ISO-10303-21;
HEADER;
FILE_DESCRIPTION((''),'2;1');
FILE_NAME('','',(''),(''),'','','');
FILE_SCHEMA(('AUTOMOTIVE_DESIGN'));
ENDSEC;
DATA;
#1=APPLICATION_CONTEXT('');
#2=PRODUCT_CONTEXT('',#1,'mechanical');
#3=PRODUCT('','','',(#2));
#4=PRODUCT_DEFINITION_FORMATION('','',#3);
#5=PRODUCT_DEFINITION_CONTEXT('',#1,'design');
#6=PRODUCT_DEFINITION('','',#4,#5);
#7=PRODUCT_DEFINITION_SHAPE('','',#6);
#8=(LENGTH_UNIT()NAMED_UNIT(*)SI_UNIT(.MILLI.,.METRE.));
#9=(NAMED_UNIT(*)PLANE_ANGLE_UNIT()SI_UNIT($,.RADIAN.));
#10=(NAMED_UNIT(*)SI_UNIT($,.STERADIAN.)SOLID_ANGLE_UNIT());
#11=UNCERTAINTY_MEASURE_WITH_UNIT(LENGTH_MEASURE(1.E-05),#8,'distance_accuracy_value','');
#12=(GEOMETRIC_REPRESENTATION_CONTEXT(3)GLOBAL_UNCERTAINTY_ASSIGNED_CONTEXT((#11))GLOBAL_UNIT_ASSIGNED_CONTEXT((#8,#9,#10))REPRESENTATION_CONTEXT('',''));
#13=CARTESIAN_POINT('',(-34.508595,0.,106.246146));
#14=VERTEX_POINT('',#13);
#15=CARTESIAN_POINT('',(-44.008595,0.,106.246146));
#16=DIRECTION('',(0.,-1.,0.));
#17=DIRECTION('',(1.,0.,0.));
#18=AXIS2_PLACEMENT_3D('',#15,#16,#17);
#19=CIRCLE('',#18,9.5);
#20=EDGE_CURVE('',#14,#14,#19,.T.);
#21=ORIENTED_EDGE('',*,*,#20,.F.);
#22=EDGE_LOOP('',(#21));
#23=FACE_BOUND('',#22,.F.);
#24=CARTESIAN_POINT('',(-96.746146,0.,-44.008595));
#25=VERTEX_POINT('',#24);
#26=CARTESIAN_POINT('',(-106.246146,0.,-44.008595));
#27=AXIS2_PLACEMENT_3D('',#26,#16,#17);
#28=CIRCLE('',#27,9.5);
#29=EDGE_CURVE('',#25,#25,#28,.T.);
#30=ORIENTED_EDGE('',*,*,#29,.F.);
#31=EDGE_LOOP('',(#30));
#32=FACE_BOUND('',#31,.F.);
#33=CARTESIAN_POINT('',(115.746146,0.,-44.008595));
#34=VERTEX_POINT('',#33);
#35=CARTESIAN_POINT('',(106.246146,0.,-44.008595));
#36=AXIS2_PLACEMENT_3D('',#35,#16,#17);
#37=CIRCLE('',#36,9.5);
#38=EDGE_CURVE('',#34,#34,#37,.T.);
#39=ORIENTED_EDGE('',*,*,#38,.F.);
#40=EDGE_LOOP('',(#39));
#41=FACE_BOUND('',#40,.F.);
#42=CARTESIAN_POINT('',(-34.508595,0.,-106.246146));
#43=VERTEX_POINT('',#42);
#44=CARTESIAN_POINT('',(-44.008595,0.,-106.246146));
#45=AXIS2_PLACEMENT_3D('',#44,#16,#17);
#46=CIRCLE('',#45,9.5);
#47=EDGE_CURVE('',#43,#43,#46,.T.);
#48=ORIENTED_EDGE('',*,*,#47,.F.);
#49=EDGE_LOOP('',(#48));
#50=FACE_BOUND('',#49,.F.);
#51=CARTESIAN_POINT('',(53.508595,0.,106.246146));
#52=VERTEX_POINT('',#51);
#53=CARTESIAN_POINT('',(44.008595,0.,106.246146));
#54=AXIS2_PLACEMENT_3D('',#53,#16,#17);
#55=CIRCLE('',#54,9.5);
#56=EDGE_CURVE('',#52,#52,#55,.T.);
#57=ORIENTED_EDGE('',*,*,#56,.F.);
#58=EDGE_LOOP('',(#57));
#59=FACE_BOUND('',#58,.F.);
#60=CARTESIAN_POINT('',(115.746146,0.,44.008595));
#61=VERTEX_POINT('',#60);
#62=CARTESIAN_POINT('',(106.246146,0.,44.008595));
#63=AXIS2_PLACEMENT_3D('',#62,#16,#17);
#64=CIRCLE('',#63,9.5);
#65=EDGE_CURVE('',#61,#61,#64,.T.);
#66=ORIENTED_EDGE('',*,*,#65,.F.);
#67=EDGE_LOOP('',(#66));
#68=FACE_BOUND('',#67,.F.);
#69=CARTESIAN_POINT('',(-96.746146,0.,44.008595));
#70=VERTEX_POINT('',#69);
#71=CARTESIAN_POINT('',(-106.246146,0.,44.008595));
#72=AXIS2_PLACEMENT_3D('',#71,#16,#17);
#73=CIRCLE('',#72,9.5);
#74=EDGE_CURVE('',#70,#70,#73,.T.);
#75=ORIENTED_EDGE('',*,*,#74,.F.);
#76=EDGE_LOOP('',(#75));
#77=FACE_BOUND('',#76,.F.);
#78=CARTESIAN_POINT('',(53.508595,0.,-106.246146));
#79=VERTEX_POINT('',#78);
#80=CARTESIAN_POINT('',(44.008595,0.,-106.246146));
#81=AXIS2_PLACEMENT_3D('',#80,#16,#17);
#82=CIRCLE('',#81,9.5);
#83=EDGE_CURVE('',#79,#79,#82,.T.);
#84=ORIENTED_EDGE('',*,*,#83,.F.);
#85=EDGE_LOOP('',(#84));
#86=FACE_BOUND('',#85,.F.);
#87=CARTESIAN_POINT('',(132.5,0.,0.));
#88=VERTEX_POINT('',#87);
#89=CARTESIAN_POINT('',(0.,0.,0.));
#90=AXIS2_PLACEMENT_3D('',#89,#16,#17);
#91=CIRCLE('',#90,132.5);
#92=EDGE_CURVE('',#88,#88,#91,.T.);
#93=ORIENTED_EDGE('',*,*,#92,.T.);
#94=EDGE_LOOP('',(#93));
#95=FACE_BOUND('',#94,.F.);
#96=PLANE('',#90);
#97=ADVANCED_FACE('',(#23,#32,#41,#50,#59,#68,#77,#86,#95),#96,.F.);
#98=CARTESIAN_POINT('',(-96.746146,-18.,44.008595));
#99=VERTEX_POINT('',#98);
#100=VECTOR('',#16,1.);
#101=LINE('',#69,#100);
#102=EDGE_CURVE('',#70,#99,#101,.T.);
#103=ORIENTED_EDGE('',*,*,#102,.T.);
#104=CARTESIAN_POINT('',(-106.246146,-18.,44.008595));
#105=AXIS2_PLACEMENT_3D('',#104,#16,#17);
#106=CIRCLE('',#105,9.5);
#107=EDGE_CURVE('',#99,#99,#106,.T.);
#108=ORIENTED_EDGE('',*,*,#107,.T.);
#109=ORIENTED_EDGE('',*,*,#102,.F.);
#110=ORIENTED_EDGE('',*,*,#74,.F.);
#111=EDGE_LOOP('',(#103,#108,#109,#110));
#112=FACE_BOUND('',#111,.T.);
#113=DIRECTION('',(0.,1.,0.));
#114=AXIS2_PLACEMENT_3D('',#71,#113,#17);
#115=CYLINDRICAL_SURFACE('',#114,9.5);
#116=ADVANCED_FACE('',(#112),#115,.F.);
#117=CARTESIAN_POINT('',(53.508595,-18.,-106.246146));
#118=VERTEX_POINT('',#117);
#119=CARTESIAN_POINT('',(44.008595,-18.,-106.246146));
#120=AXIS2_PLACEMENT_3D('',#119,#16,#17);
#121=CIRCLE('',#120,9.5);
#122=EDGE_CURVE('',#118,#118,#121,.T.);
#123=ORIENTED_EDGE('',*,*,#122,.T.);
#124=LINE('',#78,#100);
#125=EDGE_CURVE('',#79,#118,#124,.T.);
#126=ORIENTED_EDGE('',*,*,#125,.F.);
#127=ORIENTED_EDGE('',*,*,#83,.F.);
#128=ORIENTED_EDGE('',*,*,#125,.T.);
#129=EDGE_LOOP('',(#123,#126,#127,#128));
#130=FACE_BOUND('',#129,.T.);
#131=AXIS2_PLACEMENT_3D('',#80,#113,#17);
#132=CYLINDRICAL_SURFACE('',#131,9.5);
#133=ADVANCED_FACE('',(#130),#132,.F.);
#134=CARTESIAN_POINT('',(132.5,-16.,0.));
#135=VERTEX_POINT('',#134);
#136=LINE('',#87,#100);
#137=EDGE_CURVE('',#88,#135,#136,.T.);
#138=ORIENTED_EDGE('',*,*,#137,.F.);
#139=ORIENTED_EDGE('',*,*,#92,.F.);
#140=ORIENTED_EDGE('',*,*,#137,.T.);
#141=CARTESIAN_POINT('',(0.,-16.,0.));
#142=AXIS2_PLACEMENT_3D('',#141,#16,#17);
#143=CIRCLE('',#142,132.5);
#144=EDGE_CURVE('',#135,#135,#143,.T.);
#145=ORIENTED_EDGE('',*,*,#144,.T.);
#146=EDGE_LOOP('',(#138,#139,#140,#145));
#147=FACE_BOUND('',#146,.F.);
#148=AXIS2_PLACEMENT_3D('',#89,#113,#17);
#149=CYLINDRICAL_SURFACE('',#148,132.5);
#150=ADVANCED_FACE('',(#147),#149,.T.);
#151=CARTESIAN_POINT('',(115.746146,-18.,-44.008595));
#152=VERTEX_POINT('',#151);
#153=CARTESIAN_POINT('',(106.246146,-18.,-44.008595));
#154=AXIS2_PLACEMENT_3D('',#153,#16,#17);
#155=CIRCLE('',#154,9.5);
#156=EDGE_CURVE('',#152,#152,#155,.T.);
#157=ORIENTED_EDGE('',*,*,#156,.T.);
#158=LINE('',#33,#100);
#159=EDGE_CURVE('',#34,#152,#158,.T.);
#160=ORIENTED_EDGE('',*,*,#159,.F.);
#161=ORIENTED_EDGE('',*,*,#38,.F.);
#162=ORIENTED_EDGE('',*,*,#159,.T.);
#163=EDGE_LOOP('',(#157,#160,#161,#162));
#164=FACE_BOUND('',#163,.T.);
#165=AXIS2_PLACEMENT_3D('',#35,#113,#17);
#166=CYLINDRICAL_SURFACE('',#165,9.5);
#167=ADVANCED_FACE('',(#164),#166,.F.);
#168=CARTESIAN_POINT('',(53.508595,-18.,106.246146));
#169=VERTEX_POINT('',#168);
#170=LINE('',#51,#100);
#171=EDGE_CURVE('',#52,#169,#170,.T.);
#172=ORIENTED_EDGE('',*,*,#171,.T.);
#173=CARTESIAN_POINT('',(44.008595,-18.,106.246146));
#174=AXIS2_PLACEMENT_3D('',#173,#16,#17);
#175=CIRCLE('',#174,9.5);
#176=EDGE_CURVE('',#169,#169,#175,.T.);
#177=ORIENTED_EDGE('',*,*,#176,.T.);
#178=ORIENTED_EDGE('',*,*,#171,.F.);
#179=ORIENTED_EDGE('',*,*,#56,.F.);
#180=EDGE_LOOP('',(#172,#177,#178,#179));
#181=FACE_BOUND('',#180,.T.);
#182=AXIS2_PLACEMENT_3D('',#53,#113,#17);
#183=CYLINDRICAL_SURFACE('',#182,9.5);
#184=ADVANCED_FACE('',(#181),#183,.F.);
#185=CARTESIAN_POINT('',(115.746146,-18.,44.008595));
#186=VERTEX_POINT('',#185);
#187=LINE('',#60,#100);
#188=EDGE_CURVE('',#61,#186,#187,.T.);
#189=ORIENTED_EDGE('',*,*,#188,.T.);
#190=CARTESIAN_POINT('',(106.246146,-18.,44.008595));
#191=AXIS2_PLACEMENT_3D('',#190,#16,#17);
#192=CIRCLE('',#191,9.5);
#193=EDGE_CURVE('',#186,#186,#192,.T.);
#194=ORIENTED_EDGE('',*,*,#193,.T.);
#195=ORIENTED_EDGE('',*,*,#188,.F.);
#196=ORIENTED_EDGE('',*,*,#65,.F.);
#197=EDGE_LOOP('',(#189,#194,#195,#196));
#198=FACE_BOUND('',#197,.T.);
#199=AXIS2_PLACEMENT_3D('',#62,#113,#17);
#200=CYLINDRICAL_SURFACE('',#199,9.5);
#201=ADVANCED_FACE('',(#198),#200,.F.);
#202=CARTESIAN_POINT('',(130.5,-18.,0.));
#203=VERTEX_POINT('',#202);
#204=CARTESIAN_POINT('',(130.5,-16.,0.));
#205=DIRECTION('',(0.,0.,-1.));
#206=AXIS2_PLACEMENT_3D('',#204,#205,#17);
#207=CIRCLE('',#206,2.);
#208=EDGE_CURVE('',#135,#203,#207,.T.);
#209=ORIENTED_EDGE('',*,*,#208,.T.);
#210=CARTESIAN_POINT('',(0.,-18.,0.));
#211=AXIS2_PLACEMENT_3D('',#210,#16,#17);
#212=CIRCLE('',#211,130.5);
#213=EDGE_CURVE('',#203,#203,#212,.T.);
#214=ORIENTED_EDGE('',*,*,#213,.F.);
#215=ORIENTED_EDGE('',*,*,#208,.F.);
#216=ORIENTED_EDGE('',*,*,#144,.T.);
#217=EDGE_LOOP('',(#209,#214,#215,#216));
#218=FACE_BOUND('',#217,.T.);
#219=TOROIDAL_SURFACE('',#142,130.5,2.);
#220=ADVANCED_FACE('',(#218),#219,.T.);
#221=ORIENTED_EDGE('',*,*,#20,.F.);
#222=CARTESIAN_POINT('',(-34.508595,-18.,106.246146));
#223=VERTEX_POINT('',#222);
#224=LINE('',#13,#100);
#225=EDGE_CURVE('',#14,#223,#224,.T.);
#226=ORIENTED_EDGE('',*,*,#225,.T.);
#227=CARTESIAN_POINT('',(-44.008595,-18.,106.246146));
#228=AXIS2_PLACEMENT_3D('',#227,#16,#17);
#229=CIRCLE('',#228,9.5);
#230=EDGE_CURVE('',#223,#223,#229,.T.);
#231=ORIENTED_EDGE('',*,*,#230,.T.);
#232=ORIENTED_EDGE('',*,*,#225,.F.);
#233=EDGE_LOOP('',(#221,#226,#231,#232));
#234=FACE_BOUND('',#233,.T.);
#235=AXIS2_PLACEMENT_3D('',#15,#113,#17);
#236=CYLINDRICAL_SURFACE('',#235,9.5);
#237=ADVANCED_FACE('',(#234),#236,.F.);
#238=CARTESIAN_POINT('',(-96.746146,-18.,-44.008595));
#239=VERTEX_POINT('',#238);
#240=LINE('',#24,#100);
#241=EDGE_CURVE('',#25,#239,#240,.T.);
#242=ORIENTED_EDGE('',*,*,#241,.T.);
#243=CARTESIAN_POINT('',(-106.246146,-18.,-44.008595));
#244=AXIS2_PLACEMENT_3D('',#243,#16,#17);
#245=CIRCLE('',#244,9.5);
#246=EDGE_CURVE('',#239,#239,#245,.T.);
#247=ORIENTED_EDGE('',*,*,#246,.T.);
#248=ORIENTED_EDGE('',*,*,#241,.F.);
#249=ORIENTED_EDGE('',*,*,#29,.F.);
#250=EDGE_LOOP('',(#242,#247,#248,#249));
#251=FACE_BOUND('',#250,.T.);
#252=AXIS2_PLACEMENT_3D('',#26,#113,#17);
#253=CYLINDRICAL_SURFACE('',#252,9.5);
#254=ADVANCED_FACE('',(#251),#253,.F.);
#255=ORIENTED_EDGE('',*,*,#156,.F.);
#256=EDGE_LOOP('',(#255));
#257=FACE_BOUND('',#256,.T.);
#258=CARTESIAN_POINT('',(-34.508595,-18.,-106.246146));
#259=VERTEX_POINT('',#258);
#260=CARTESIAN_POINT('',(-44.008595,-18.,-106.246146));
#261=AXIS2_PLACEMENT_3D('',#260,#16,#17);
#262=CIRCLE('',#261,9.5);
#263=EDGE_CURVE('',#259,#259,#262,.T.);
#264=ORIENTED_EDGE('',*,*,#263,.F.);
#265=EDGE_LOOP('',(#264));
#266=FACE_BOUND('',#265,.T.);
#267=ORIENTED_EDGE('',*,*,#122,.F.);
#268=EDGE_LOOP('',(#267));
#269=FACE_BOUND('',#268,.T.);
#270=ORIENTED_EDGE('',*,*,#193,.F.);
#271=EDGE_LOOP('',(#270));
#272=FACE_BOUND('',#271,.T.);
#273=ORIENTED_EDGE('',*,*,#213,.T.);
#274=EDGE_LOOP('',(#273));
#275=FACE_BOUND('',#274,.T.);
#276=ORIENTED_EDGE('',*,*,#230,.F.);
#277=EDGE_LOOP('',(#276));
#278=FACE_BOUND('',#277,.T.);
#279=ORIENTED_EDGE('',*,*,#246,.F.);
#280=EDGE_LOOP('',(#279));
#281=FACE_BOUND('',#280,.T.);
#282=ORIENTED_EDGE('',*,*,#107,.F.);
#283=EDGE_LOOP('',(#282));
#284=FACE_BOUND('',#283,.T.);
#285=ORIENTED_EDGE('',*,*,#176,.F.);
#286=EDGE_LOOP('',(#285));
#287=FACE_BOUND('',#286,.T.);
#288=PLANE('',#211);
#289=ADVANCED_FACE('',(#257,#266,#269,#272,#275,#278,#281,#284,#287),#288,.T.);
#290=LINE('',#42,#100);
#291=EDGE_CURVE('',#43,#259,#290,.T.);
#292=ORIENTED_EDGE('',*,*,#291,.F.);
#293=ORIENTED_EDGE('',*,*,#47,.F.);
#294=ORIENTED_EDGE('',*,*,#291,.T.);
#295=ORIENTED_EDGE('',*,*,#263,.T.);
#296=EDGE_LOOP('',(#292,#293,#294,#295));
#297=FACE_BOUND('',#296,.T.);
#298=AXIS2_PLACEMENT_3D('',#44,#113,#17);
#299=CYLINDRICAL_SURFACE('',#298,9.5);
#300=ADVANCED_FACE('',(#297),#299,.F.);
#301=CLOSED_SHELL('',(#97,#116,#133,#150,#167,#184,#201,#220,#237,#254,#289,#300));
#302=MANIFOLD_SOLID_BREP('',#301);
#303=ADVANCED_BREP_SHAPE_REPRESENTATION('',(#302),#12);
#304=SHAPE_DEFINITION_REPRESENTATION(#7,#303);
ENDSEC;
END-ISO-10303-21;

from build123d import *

# Parameters (mm, degrees)
F0_R     = 132.5
F0_R_2   = 9.5
F1_DEPTH = 18
F2_R     = 2


with BuildPart() as f1:
    # F0 (on Front) → F1 (new body)
    with BuildSketch(Plane.XZ):
        Circle(F0_R)
        with Locations((-44.008595, -106.246146)):
            Circle(F0_R_2, mode=Mode.SUBTRACT)
        with Locations((-106.246146, -44.008595)):
            Circle(F0_R_2, mode=Mode.SUBTRACT)
        with Locations((44.008595, -106.246146)):
            Circle(F0_R_2, mode=Mode.SUBTRACT)
        with Locations((106.246146, -44.008595)):
            Circle(F0_R_2, mode=Mode.SUBTRACT)
        with Locations((-106.246146, 44.008595)):
            Circle(F0_R_2, mode=Mode.SUBTRACT)
        with Locations((-44.008595, 106.246146)):
            Circle(F0_R_2, mode=Mode.SUBTRACT)
        with Locations((106.246146, 44.008595)):
            Circle(F0_R_2, mode=Mode.SUBTRACT)
        with Locations((44.008595, 106.246146)):
            Circle(F0_R_2, mode=Mode.SUBTRACT)
    extrude(amount=F1_DEPTH)

    # F2
    f2_edges = [f1.edges().sort_by_distance(p)[0] for p in [
        (-132.5, -18, 0),
    ]]
    fillet(f2_edges, radius=F2_R)


solid = f1.part
